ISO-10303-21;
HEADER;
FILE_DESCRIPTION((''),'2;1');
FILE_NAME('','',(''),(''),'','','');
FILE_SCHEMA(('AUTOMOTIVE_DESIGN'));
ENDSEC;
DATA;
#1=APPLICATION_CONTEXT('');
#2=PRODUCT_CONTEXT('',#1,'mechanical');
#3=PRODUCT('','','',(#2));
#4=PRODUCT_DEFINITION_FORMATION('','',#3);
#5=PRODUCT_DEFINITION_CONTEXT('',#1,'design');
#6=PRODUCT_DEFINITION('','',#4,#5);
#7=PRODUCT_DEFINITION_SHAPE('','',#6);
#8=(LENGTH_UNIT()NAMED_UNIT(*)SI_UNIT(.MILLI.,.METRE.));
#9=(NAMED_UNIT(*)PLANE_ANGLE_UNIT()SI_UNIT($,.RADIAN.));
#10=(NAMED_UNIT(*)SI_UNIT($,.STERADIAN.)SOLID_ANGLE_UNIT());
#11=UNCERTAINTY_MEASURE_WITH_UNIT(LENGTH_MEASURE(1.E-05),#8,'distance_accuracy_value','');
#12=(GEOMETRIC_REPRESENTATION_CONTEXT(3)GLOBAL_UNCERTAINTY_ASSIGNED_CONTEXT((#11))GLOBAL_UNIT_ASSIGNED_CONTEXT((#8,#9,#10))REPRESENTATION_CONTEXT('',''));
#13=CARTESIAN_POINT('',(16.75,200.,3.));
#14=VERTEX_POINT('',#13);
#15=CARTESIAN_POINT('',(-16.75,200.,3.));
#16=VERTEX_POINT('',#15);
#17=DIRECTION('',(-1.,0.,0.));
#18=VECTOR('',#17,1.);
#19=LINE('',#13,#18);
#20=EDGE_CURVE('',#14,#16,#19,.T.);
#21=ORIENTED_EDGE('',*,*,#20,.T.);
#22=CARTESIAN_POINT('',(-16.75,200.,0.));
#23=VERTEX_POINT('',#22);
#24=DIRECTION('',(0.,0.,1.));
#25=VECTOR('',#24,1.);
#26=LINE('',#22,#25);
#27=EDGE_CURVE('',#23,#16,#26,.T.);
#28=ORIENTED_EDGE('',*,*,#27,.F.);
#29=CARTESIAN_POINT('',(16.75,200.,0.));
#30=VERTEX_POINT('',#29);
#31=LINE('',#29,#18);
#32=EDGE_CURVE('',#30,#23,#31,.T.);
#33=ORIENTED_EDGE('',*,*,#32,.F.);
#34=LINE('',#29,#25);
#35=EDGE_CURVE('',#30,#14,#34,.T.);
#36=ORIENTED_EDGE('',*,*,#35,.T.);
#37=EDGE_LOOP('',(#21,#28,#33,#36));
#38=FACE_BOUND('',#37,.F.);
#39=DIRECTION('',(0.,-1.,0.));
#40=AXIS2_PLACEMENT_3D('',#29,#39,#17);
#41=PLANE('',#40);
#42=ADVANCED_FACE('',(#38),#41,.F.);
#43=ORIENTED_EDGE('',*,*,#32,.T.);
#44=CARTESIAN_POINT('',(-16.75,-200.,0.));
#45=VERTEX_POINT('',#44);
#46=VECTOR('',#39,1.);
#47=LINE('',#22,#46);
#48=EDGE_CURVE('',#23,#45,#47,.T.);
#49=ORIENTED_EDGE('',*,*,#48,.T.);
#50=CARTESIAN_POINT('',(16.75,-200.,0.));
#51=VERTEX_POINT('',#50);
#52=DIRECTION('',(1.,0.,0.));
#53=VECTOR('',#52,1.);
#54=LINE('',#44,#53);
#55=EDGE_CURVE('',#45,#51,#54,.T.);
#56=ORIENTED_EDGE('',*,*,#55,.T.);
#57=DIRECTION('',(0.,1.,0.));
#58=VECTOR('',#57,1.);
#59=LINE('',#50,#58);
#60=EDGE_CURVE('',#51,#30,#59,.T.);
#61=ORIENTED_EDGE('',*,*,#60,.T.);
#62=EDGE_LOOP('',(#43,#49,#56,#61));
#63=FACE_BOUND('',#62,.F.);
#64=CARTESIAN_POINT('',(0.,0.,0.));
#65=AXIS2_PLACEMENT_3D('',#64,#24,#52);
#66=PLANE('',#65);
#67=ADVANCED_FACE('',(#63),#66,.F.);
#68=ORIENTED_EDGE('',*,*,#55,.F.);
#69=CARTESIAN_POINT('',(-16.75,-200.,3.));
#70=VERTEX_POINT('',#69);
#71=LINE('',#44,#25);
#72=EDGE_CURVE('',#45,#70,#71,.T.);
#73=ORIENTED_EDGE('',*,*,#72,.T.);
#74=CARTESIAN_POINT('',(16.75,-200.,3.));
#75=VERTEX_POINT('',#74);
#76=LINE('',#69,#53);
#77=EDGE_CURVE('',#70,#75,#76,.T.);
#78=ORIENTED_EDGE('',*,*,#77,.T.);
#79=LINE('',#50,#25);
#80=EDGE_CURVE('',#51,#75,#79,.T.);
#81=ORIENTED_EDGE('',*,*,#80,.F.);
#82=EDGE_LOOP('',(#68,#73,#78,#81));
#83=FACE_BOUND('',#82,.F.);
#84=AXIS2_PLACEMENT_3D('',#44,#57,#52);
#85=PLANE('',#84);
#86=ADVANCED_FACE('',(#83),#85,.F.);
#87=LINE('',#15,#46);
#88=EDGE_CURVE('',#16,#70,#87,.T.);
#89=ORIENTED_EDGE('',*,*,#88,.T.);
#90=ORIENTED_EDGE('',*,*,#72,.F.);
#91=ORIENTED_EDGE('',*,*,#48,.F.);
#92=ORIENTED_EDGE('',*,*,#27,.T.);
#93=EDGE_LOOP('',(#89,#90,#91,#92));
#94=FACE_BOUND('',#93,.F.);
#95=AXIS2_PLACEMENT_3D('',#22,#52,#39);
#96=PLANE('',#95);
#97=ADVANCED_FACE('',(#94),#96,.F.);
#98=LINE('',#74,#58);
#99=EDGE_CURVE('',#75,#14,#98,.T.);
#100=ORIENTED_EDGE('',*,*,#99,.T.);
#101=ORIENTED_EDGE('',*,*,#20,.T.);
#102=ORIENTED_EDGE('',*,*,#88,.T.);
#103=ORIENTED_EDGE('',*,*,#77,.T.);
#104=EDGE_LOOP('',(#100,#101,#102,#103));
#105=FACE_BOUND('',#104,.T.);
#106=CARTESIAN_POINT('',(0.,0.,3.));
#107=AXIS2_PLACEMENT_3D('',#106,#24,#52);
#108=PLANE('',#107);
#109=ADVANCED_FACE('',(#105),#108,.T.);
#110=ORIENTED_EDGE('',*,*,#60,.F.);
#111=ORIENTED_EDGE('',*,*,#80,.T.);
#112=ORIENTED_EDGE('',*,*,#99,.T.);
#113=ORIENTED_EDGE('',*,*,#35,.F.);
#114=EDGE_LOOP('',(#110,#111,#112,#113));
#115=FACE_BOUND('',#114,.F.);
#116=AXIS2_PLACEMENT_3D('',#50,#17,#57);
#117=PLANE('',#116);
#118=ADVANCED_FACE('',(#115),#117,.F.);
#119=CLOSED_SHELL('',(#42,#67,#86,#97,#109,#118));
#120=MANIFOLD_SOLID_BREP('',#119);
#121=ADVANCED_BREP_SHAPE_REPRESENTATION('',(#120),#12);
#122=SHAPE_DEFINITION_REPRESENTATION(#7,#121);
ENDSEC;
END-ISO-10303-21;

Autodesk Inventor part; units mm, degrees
ref_plane "YZ Plane" through (0, 0, 0) normal (1, 0, 0) x (0, 1, 0)
ref_plane "XZ Plane" through (0, 0, 0) normal (0, 1, 0) x (-1, 0, 0)
ref_plane "XY Plane" through (0, 0, 0) normal (0, 0, 1) x (1, 0, 0)
sketch "Sketch1" plane through (0, 0, 0) normal (0, 0, 1) x (1, 0, 0)
  line L0 (-16.75, -200) -> (16.75, -200)
  line L1 (16.75, -200) -> (16.75, 200)
  line L2 (16.75, 200) -> (-16.75, 200)
  line L3 (-16.75, 200) -> (-16.75, -200)
  line L4 (-16.75, -200) -> (16.75, 200) construction
  line L5 (16.75, -200) -> (-16.75, 200) construction
  point P0 (0, 0)
  dimension "d0" = 33.5
  dimension "d1" = 400
extrude "Extrusion1" add sketch "Sketch1" along normal blind 3
properties part number "side2"
